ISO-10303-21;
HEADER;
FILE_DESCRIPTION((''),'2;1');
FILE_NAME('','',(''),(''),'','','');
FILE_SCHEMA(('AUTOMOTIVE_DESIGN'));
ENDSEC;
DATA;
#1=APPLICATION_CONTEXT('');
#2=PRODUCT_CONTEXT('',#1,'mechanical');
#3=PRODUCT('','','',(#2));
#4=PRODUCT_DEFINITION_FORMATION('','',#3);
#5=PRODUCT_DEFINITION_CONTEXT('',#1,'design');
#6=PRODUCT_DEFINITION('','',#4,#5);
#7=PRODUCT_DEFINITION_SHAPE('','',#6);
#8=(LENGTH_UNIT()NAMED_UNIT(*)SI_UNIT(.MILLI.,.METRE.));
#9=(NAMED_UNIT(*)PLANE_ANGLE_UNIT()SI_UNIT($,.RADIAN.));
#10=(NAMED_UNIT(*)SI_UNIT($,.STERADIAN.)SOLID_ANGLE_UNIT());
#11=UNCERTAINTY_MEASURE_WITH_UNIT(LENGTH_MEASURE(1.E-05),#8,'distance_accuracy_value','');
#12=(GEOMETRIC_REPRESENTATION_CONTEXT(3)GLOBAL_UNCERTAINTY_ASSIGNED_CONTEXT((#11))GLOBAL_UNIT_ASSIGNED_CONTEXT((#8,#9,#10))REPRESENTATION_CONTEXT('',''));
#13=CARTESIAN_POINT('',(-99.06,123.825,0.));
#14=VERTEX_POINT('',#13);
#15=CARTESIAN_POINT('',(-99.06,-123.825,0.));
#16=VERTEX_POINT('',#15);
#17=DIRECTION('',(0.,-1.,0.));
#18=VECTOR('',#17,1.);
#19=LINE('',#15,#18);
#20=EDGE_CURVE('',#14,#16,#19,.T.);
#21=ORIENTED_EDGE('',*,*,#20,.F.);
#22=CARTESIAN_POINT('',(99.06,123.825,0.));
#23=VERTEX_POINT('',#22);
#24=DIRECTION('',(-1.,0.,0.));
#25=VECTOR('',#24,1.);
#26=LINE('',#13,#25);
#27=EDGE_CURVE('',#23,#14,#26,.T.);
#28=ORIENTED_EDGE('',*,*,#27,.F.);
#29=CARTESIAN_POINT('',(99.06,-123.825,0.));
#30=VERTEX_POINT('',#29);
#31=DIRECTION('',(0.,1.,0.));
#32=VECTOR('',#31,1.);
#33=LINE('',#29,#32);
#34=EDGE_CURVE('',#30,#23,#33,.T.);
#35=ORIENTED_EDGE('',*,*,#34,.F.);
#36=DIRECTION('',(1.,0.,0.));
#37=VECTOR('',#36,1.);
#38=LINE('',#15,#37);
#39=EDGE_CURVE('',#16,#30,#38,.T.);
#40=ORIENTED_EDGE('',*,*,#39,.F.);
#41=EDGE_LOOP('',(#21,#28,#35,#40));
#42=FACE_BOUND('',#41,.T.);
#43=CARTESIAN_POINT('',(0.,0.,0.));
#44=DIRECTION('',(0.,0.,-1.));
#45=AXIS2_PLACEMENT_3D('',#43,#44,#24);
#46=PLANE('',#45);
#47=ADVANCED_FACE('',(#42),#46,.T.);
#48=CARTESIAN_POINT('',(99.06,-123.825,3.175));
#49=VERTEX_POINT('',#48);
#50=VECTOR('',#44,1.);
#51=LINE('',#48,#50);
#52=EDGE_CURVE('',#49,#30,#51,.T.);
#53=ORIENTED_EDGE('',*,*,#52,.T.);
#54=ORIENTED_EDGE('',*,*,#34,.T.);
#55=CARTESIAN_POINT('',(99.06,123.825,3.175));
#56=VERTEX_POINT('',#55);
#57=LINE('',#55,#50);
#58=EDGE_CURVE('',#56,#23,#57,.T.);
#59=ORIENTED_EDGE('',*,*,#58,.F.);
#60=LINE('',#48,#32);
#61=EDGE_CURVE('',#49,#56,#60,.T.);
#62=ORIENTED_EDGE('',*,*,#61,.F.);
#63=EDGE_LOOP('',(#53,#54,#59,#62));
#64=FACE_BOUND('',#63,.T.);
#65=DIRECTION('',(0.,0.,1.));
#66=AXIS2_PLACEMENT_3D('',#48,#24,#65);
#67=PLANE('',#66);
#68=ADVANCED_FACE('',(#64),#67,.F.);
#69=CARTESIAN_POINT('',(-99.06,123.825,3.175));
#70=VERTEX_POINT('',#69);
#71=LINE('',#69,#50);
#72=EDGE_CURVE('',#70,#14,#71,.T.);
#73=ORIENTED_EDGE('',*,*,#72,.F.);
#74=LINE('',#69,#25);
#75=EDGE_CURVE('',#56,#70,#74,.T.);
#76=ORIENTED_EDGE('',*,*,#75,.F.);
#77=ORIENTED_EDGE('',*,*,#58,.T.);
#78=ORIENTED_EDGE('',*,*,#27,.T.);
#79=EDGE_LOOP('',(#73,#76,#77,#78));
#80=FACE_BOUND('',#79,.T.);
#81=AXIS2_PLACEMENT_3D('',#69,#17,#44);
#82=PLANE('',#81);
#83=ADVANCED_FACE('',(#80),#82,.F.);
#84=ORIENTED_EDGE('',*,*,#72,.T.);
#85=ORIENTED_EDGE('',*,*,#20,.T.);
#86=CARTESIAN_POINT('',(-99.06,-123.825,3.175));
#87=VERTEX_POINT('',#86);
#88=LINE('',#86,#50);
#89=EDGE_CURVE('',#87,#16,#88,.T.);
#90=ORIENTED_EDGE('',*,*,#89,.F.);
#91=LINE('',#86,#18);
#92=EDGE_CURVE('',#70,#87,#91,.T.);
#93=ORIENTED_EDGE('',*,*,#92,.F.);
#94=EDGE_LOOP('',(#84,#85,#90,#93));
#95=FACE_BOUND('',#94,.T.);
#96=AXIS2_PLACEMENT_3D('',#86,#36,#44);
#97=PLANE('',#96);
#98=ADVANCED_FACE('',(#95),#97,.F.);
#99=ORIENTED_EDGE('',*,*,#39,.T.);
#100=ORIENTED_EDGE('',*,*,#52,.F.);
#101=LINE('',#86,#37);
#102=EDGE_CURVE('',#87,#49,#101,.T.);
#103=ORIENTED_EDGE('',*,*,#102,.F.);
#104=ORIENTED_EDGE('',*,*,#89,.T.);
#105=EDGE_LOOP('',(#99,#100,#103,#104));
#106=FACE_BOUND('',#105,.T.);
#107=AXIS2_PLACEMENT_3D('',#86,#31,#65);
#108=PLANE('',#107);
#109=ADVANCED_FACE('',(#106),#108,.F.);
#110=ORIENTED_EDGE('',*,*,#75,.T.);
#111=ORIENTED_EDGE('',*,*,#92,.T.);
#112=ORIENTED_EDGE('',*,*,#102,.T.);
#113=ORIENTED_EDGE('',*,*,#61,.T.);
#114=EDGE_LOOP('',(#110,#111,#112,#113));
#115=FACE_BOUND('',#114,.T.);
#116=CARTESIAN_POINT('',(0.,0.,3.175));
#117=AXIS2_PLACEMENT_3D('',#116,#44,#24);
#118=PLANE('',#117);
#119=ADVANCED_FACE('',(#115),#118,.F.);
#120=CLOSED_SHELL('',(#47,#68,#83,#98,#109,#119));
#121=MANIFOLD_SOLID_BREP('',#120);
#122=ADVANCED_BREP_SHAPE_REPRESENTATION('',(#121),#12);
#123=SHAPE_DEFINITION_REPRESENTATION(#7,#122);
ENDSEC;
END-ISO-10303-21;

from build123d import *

# Parameters (mm, degrees)
SKETCH1_W           = 198.12
SKETCH1_H           = 247.65
BOSS_EXTRUDE1_DEPTH = 3.175


with BuildPart() as part:
    # Sketch1 → Boss-Extrude1 (new body)
    with BuildSketch(Plane.XY):
        Rectangle(SKETCH1_W, SKETCH1_H)
    extrude(amount=BOSS_EXTRUDE1_DEPTH)


solid = part.part
